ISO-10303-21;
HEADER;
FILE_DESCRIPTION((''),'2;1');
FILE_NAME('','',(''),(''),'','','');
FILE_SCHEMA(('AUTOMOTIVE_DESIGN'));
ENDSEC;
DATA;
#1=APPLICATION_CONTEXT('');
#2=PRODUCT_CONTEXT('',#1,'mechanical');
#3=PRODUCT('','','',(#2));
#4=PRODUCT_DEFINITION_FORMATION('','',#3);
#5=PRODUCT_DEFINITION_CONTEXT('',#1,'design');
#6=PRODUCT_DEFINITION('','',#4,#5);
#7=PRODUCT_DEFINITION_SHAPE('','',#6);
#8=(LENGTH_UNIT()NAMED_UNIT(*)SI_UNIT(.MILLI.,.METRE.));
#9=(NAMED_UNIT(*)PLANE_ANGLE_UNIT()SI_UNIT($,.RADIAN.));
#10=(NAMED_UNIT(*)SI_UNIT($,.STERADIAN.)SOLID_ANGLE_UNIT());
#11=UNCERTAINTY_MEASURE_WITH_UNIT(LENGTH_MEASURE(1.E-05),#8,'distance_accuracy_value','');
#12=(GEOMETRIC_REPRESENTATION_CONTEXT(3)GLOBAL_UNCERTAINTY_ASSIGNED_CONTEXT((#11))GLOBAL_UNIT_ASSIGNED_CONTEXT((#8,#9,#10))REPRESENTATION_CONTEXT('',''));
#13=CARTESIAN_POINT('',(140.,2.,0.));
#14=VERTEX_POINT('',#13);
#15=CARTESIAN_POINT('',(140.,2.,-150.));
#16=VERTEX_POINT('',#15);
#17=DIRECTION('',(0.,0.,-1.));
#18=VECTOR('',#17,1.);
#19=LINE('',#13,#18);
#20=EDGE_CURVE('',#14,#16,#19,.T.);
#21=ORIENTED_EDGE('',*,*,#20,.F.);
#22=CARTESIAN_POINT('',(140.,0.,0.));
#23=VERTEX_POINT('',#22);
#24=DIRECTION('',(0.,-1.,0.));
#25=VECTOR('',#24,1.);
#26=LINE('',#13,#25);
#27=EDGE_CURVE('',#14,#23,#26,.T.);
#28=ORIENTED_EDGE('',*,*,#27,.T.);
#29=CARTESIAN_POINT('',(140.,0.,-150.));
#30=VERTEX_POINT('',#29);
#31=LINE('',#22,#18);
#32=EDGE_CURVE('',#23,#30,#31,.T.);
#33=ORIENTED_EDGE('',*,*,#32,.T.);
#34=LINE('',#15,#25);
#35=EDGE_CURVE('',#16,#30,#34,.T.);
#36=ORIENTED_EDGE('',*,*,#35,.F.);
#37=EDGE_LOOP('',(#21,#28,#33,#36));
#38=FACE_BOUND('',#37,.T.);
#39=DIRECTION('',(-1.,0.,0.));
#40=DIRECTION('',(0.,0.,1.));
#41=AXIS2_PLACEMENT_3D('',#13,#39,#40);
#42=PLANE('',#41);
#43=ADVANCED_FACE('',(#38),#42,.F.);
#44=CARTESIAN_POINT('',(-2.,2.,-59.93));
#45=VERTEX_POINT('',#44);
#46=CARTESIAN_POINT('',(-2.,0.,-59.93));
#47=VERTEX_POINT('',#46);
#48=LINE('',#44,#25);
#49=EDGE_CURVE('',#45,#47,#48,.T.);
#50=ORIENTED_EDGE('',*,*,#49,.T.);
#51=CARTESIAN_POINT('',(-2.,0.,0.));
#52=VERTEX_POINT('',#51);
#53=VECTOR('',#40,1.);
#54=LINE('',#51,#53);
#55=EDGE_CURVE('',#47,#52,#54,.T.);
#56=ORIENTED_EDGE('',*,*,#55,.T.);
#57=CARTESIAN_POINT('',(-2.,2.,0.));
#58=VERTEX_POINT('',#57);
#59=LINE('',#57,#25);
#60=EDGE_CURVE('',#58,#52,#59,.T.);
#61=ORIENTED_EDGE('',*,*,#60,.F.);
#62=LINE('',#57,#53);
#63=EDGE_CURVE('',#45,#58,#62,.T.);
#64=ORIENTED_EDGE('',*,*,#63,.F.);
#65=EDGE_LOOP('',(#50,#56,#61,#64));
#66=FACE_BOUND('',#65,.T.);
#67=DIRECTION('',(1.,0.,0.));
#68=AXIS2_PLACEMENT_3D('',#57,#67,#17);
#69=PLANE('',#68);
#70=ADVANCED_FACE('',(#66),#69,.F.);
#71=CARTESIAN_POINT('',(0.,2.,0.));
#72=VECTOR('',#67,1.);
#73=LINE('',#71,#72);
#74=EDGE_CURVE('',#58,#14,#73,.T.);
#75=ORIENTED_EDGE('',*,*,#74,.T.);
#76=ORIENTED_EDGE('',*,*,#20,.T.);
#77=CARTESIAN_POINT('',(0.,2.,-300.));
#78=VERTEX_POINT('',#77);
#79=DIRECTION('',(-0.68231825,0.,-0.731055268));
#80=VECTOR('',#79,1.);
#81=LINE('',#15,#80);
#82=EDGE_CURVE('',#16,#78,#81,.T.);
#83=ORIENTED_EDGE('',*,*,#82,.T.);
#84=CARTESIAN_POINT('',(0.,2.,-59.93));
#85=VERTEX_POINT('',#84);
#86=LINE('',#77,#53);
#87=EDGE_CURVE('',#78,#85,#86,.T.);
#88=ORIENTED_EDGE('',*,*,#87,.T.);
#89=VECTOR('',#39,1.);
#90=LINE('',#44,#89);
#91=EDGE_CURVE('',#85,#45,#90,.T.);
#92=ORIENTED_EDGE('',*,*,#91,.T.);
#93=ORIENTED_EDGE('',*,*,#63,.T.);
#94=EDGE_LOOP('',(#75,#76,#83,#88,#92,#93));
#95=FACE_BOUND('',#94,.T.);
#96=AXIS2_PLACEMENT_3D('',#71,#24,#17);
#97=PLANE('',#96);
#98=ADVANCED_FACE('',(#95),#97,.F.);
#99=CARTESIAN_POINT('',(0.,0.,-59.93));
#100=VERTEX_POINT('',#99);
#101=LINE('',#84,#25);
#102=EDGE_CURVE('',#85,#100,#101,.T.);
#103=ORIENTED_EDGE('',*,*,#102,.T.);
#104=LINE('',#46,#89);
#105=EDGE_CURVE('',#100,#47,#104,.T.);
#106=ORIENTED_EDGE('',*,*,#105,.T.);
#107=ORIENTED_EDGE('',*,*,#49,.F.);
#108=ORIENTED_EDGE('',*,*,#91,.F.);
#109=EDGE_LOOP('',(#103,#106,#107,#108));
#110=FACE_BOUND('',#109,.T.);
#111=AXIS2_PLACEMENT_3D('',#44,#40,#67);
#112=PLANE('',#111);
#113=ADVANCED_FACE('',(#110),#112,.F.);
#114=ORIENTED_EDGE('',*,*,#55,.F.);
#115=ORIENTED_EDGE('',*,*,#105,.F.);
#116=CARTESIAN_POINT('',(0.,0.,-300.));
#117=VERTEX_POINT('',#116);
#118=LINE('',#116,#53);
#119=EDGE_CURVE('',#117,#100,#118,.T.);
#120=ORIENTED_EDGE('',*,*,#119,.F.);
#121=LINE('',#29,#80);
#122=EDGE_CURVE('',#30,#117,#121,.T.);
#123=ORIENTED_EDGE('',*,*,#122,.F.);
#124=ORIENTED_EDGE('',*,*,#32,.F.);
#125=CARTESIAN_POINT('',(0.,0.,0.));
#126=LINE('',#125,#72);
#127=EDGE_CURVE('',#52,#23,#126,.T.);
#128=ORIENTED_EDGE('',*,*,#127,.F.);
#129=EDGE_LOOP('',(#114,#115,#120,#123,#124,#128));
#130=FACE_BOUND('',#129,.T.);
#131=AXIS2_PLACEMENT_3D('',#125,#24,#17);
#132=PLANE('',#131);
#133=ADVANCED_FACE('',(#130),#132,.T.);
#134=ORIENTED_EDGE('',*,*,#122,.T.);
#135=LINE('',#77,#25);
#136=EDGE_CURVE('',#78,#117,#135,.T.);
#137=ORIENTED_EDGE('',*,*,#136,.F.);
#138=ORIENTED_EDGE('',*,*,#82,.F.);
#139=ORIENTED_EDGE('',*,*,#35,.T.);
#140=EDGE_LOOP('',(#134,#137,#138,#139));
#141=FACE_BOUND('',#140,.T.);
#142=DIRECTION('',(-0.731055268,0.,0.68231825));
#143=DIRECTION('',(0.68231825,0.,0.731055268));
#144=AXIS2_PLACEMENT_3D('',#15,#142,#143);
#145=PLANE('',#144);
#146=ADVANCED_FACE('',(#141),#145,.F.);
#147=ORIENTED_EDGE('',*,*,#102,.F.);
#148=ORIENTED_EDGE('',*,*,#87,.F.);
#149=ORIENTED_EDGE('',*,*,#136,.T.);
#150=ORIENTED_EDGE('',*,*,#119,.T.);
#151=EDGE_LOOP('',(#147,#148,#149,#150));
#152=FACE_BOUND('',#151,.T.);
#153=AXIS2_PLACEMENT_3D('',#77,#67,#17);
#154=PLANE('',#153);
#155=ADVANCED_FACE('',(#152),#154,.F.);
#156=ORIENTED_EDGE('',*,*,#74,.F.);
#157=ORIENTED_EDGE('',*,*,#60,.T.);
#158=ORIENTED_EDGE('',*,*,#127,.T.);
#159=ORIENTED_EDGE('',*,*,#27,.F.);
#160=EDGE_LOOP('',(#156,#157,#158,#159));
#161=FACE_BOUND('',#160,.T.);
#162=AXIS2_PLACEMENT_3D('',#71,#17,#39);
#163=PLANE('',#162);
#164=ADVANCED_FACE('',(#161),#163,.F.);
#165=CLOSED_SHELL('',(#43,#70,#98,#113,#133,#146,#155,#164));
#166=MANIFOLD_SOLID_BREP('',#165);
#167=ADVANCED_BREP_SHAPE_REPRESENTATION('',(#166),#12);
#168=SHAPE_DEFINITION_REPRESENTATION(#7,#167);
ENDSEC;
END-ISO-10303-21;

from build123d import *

# Parameters (mm, degrees)
ESTRUSIONE_ESTRUSIONE1_DEPTH = 2


with BuildPart() as part:
    # Forma aletta → Estrusione-Estrusione1 (new body)
    with BuildSketch(Plane(origin=(0, 0, 0), x_dir=(1, 0, 0), z_dir=(0, 1, 0))):
        Polygon((0, 300), (0, 59.93), (-2, 59.93), (-2, 0), (0, 0), (140, 0), (140, 150), align=None)
    extrude(amount=ESTRUSIONE_ESTRUSIONE1_DEPTH)


solid = part.part
